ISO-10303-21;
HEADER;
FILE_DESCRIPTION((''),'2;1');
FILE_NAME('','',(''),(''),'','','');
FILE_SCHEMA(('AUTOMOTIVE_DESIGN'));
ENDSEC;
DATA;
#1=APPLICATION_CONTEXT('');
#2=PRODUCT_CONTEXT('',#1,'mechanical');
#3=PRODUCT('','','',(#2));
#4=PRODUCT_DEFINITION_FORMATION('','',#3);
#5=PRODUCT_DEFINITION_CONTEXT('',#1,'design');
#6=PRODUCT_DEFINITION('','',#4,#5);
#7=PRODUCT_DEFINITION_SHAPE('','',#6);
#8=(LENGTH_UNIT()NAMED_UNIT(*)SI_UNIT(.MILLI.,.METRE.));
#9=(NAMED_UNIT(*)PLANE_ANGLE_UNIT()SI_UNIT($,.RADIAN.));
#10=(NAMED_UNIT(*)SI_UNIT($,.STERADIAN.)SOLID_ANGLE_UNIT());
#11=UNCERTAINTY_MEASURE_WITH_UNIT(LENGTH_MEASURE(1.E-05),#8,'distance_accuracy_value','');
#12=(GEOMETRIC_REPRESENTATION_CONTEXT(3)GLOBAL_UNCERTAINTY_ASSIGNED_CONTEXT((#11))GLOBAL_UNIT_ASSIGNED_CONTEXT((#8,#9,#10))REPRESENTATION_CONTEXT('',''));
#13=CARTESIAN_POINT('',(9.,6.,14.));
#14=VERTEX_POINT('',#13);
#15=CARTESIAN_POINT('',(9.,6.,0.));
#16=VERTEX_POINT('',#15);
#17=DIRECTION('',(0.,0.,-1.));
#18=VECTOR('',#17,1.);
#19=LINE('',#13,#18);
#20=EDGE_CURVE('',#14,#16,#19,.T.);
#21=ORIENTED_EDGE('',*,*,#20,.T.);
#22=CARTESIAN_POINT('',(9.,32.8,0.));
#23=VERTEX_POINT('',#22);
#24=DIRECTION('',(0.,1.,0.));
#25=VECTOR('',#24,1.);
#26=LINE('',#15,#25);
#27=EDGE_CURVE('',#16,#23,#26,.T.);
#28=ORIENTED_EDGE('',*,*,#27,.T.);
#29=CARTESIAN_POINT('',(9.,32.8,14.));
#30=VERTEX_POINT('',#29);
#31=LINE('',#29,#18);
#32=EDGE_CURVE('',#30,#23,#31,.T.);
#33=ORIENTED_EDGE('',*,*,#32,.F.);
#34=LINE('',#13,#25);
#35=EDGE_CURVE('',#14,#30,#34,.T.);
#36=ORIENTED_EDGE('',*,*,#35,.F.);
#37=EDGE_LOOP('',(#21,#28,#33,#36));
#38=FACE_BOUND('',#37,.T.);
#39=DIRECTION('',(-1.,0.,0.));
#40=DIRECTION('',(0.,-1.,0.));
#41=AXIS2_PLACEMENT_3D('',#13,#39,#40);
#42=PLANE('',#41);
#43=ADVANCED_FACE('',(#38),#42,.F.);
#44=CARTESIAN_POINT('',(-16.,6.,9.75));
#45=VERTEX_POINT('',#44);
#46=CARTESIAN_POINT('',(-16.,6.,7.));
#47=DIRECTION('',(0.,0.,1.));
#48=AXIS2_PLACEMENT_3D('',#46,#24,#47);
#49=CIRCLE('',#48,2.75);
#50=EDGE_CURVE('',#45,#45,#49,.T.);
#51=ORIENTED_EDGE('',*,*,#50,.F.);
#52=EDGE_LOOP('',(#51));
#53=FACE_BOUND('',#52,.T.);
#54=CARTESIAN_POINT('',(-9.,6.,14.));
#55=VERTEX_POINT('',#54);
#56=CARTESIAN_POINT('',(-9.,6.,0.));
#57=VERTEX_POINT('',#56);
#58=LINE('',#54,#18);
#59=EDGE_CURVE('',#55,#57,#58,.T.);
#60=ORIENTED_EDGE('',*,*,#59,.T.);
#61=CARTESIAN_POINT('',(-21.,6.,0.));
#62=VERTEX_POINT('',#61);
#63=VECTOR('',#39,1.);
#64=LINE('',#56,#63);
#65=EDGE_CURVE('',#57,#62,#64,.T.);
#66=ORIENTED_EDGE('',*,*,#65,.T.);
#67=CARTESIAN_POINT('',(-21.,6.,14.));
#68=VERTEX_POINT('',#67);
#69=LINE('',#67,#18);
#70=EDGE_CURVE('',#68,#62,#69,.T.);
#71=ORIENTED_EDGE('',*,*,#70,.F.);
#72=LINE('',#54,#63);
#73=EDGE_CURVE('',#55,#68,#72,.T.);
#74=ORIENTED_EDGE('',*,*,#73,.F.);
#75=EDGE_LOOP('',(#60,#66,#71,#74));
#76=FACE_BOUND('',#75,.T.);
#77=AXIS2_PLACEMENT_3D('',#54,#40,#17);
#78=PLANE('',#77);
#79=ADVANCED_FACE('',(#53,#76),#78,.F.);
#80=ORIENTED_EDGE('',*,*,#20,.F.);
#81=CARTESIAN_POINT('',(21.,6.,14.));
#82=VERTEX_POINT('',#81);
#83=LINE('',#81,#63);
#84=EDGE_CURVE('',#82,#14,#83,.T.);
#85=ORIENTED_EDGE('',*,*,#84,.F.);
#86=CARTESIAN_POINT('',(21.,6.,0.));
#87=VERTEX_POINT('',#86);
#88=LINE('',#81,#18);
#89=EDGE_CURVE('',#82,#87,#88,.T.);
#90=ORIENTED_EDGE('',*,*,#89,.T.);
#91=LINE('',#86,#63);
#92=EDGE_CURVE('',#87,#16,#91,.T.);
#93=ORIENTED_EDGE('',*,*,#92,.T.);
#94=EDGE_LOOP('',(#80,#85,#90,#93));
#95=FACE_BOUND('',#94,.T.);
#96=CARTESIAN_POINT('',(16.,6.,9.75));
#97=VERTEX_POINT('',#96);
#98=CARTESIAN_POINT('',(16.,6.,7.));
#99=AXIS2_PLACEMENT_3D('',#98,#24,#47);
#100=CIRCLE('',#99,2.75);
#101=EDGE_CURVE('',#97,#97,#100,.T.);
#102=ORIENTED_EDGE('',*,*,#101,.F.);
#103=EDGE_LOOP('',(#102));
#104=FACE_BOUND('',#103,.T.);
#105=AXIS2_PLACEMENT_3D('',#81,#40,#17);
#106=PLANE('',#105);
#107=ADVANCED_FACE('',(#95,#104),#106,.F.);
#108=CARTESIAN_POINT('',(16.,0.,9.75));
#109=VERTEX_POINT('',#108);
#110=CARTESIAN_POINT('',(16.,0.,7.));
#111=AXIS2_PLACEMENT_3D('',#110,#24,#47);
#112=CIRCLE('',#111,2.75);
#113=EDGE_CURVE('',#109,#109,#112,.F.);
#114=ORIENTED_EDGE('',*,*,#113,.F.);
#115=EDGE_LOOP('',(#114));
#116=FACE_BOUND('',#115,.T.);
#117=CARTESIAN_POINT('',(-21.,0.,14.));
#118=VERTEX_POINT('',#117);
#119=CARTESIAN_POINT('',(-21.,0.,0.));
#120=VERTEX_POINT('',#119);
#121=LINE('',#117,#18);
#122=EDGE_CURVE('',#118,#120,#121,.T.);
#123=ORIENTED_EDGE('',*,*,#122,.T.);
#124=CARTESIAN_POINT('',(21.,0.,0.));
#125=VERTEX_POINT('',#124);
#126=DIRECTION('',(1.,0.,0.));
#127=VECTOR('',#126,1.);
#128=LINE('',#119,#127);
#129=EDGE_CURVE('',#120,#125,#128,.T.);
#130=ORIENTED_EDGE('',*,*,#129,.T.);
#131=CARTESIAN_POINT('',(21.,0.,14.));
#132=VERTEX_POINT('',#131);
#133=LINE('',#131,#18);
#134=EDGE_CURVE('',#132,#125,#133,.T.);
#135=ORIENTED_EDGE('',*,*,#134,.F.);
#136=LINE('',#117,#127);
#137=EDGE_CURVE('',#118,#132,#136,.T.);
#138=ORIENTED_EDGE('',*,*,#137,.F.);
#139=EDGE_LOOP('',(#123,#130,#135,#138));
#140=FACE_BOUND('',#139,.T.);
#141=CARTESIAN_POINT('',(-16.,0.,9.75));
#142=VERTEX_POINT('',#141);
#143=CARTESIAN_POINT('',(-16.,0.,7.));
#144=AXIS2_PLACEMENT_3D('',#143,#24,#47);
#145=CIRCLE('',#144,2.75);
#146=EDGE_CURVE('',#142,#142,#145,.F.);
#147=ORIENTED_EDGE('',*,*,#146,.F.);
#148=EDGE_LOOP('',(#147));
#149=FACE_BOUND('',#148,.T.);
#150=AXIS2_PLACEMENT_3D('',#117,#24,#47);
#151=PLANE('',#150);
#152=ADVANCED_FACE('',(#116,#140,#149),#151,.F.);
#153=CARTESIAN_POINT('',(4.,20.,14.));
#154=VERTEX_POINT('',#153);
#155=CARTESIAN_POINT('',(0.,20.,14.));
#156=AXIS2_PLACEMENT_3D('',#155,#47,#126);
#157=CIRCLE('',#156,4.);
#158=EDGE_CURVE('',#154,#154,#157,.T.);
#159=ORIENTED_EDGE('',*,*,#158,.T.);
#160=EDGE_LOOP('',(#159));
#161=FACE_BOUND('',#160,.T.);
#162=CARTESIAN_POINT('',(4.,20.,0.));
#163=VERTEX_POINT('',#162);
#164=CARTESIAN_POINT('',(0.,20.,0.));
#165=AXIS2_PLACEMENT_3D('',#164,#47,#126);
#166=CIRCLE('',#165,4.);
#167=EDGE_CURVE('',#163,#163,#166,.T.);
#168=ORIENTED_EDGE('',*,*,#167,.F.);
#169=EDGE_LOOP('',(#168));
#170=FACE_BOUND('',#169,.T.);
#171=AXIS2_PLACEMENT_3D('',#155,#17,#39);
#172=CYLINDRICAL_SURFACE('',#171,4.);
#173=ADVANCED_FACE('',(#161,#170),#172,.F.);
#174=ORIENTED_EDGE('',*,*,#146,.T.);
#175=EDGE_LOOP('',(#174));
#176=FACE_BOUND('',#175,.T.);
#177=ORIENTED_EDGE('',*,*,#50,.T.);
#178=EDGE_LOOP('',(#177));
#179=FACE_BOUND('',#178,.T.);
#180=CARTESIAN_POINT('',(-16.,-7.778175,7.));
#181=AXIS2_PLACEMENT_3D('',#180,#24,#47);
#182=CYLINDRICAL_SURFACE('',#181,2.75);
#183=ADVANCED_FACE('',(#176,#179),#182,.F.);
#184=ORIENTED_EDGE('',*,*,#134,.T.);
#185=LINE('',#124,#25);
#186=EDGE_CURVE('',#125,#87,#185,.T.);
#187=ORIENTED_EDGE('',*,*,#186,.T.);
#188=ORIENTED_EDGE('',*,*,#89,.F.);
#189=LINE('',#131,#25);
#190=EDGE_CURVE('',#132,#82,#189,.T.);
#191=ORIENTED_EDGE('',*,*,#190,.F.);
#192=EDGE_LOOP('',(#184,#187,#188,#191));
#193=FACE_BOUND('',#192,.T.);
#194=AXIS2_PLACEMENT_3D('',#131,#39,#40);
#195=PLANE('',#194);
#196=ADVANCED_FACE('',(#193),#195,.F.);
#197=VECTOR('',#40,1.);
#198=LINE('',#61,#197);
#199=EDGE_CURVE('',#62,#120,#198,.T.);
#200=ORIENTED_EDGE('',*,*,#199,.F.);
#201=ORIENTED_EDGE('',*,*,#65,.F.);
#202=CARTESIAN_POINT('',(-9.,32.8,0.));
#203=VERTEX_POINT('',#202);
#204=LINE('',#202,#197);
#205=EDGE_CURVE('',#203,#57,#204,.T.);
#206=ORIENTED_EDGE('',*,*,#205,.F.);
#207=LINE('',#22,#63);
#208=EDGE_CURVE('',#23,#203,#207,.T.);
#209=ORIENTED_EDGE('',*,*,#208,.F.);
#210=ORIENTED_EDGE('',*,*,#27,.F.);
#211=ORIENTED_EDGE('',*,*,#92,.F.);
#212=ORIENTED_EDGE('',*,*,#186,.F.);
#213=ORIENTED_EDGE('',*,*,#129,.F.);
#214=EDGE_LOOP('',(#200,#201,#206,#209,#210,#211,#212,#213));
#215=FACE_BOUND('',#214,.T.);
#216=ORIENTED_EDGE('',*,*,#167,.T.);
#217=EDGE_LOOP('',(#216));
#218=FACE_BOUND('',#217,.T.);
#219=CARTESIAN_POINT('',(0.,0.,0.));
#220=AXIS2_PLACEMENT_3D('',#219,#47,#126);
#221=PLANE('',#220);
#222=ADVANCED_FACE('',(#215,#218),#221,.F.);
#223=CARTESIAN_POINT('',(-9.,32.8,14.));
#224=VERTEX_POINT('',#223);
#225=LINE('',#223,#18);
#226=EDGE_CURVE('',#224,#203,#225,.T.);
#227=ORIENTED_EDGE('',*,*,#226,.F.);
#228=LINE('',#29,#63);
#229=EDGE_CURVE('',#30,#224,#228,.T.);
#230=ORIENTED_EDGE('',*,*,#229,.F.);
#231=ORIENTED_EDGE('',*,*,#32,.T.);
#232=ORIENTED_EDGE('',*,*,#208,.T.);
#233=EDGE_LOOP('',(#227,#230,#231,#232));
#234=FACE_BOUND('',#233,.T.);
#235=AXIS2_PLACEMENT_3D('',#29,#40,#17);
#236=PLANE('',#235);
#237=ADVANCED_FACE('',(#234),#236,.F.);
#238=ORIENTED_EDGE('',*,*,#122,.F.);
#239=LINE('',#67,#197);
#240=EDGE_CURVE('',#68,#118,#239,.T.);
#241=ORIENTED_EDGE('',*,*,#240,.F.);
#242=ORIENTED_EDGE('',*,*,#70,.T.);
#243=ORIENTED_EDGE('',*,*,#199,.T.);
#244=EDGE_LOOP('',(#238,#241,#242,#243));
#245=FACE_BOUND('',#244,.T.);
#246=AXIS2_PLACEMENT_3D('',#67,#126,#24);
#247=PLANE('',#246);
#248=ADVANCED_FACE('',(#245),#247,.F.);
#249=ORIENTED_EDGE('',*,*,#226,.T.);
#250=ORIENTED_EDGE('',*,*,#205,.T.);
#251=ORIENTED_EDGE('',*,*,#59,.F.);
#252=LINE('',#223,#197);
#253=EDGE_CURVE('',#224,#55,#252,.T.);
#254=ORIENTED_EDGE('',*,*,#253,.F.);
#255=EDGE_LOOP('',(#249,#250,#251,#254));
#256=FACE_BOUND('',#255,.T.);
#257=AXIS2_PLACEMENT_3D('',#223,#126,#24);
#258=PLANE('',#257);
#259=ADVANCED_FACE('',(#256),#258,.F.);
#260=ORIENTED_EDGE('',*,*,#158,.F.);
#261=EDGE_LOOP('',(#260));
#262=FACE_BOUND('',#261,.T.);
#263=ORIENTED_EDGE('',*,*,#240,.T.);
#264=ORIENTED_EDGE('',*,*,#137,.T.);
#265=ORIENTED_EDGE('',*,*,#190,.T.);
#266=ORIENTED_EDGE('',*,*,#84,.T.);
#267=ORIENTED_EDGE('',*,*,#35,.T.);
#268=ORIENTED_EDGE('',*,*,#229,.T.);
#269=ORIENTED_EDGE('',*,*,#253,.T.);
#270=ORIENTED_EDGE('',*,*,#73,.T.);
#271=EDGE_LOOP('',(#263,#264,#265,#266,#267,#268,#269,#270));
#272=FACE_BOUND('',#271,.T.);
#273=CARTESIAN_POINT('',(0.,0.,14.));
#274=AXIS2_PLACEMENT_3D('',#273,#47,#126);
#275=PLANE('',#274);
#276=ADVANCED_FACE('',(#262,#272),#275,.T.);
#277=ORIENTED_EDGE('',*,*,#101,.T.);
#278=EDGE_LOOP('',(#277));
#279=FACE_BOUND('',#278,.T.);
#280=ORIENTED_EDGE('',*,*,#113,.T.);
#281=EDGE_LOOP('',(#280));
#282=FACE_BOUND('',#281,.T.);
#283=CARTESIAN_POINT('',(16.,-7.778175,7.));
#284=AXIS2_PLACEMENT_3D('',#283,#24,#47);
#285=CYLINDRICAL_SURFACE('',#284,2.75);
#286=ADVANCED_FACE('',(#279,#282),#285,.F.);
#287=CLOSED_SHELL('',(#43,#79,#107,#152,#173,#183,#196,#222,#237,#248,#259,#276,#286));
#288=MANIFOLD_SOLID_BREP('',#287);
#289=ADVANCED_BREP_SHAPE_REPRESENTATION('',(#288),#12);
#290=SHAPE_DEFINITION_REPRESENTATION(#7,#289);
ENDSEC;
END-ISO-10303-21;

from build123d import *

# Parameters (mm, degrees)
SKETCH1_R           = 4
BOSS_EXTRUDE1_DEPTH = 14
SKETCH2_R           = 2.75
CUT_EXTRUDE1_DEPTH  = 6


with BuildPart() as part:
    # Sketch1 → Boss-Extrude1 (new body)
    with BuildSketch(Plane.XY):
        Polygon((-21, 0), (21, 0), (21, 6), (9, 6), (9, 32.8), (-9, 32.8), (-9, 6), (-21, 6), align=None)
        with Locations((0, 20)):
            Circle(SKETCH1_R, mode=Mode.SUBTRACT)
    extrude(amount=BOSS_EXTRUDE1_DEPTH)

    # Sketch2 → Cut-Extrude1 (cut)
    with BuildSketch(Plane(origin=(0, 6, 0), x_dir=(1, 0, 0), z_dir=(0, 1, 0))):
        with Locations((-16, -7)):
            Circle(SKETCH2_R)
        with Locations((16, -7)):
            Circle(SKETCH2_R)
    extrude(amount=-CUT_EXTRUDE1_DEPTH, mode=Mode.SUBTRACT)


solid = part.part
